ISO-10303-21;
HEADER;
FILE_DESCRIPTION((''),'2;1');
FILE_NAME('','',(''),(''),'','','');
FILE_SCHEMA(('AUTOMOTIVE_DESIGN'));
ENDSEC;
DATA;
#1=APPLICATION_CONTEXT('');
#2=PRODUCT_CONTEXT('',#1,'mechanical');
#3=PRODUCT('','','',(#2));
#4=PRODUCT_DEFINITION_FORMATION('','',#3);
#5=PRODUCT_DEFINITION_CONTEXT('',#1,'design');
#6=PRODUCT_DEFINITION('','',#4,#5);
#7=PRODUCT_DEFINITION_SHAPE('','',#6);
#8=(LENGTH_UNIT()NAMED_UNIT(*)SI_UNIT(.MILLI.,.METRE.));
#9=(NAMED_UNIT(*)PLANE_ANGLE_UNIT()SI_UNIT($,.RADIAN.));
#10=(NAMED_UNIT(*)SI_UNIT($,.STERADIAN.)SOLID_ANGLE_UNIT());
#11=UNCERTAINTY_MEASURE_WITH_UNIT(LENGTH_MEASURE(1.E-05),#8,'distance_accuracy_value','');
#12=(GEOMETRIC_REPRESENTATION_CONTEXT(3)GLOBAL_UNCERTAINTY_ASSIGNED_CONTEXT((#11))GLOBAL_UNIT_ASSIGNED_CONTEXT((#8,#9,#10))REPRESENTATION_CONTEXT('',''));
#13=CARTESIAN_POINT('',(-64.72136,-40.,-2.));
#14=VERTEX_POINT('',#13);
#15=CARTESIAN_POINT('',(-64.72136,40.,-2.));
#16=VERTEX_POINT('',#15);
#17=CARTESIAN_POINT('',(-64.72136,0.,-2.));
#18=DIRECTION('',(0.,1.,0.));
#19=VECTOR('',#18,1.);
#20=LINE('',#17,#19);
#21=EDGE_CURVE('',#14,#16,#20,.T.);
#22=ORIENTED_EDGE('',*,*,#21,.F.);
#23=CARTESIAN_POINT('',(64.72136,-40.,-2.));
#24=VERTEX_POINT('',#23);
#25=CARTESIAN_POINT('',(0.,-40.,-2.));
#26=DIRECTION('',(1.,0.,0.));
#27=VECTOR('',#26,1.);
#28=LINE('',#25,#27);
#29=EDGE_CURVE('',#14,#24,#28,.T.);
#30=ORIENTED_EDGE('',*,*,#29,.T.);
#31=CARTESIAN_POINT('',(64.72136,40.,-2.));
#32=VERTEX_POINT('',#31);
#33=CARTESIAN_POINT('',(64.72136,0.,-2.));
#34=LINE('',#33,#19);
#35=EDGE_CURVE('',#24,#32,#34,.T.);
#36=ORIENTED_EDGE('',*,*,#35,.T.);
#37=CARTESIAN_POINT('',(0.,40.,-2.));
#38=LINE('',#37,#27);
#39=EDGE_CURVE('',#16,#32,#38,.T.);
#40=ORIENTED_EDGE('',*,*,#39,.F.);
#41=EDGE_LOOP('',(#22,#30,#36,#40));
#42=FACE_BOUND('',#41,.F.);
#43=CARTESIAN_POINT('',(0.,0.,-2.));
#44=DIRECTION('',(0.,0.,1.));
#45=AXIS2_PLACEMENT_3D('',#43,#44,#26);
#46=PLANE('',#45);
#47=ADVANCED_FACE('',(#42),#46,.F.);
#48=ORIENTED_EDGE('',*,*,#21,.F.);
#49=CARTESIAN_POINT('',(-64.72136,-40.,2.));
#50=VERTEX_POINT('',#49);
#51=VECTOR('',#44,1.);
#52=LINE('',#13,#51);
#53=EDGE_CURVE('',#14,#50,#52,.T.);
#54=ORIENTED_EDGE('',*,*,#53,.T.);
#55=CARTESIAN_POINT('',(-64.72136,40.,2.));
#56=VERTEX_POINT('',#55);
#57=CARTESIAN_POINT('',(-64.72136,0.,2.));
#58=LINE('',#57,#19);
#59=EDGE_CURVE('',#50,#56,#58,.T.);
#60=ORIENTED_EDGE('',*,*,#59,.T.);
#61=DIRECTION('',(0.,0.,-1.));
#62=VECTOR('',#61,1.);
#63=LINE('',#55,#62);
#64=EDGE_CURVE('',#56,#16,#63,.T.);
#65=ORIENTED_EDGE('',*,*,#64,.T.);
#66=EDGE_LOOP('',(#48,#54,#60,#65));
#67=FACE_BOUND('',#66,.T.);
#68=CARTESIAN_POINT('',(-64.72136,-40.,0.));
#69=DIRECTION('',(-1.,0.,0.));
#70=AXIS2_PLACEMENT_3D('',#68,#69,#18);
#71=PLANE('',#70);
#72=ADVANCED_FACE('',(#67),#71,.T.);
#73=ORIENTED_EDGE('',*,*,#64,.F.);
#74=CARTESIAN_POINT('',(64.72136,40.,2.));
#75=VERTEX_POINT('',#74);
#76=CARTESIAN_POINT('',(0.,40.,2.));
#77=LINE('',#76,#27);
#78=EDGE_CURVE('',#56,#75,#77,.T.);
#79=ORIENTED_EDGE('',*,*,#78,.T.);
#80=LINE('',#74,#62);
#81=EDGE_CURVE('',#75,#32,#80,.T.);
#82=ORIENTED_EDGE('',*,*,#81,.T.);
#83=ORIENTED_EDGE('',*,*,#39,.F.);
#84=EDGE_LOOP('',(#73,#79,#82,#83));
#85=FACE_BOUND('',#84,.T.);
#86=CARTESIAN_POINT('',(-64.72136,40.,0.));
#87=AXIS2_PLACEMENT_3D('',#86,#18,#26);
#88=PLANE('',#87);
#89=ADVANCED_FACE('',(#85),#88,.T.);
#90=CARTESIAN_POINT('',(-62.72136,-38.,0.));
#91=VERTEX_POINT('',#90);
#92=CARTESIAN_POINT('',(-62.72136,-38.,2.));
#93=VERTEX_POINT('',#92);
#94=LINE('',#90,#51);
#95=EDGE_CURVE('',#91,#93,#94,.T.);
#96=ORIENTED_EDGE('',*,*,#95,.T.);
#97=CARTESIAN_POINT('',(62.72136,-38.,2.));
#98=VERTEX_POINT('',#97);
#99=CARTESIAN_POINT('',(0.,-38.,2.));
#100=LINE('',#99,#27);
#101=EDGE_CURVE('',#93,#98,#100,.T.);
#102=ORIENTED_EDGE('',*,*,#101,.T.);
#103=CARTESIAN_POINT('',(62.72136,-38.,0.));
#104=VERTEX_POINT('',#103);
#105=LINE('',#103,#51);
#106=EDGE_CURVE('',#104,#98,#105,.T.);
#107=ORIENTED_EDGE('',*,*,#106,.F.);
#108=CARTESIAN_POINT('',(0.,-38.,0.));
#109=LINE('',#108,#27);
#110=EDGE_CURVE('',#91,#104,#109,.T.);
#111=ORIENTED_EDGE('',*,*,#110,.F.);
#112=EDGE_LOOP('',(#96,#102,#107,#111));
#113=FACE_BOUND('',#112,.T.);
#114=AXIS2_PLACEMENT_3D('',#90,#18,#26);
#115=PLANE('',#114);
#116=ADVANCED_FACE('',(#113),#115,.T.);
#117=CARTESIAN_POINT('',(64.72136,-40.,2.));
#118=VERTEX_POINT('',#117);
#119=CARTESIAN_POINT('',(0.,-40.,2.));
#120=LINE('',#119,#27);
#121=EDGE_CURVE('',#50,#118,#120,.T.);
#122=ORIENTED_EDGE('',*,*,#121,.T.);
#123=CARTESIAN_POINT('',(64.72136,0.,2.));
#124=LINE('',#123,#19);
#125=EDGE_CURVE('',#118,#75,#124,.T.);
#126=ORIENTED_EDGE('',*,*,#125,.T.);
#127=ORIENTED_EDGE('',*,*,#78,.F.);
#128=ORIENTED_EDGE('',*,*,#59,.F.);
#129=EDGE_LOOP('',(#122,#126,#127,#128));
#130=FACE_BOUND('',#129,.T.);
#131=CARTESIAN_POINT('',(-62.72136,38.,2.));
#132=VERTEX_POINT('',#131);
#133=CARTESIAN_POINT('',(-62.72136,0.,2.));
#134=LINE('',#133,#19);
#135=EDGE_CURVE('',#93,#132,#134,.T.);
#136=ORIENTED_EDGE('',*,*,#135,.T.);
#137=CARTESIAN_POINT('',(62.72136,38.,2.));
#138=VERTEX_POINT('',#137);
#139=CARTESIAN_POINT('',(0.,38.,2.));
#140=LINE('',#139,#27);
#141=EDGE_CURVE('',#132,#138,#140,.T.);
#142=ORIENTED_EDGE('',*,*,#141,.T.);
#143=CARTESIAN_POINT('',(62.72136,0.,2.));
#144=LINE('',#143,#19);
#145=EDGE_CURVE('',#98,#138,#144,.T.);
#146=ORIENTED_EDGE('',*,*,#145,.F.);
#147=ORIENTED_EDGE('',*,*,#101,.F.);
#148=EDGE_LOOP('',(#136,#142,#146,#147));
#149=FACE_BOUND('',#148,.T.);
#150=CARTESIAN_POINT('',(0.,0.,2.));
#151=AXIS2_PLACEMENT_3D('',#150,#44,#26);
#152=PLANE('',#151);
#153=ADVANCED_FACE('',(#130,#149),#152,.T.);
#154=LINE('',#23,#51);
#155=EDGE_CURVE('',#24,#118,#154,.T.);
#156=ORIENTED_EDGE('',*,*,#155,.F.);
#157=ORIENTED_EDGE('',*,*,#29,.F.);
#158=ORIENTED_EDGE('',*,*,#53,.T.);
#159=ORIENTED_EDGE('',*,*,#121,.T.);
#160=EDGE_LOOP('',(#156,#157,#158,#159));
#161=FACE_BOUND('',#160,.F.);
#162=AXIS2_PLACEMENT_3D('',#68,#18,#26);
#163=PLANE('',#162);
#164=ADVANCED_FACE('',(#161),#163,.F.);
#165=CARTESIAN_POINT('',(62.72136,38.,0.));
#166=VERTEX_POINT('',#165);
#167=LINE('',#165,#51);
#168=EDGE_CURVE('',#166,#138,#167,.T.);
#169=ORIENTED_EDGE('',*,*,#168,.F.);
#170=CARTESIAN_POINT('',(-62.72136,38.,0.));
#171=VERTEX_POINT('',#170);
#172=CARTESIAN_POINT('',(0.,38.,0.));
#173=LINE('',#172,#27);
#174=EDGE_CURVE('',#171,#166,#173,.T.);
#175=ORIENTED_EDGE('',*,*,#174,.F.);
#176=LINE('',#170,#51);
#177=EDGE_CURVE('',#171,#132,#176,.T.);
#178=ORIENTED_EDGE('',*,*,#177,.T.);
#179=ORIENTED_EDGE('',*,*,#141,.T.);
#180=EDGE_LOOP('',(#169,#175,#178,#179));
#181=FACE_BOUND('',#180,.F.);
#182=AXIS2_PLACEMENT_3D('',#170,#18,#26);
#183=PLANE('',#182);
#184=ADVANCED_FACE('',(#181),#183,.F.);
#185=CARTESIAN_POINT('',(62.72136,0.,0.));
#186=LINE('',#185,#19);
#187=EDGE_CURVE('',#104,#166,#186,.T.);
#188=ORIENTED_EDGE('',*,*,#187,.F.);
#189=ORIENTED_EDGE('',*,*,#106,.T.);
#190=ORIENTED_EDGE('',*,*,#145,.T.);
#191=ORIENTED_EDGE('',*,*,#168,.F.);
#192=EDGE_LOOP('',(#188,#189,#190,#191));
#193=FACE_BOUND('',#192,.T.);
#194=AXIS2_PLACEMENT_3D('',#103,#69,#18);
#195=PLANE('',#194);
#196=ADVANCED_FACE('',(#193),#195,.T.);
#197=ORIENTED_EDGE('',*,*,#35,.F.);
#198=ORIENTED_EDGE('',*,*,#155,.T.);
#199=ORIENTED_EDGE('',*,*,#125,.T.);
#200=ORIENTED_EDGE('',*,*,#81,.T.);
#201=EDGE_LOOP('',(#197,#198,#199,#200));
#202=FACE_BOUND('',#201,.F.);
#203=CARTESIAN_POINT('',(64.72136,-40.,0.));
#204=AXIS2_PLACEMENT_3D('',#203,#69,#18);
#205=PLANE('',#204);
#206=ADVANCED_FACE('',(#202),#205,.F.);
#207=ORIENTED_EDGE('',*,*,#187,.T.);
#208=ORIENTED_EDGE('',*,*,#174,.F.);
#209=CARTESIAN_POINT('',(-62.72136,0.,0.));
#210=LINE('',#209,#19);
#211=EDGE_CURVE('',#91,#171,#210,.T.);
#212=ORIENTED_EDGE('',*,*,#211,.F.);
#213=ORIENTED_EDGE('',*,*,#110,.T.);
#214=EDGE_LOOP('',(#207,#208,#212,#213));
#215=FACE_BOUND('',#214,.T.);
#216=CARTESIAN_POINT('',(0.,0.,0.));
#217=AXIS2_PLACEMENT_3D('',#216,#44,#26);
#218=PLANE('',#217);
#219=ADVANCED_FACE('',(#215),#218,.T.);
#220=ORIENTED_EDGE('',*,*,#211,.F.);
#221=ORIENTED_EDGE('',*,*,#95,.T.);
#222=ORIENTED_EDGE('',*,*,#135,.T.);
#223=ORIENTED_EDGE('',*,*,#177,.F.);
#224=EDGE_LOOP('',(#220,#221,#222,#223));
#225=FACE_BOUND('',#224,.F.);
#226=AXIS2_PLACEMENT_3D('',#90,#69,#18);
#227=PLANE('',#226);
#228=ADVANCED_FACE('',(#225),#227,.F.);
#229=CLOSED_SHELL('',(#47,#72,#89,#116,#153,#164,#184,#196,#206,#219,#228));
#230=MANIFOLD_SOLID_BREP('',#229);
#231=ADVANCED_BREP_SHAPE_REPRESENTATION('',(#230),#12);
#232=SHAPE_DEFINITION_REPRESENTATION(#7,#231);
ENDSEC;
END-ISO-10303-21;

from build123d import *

# Parameters (mm, degrees)
F0_W     = 129.44272
F0_H     = 80
F1_DEPTH = 2
F2_W     = 129.44272
F2_H     = 80
F2_W_2   = 125.44272
F2_H_2   = 76
F3_DEPTH = 2


with BuildPart() as f1:
    # F0 (on Top) → F1 (new body)
    with BuildSketch(Plane.XY):
        Rectangle(F0_W, F0_H)
    extrude(amount=-F1_DEPTH)

    # F2 (on Top) → F3 (join)
    with BuildSketch(Plane.XY):
        Rectangle(F2_W, F2_H)
        Rectangle(F2_W_2, F2_H_2, mode=Mode.SUBTRACT)
    extrude(amount=F3_DEPTH)


solid = f1.part
